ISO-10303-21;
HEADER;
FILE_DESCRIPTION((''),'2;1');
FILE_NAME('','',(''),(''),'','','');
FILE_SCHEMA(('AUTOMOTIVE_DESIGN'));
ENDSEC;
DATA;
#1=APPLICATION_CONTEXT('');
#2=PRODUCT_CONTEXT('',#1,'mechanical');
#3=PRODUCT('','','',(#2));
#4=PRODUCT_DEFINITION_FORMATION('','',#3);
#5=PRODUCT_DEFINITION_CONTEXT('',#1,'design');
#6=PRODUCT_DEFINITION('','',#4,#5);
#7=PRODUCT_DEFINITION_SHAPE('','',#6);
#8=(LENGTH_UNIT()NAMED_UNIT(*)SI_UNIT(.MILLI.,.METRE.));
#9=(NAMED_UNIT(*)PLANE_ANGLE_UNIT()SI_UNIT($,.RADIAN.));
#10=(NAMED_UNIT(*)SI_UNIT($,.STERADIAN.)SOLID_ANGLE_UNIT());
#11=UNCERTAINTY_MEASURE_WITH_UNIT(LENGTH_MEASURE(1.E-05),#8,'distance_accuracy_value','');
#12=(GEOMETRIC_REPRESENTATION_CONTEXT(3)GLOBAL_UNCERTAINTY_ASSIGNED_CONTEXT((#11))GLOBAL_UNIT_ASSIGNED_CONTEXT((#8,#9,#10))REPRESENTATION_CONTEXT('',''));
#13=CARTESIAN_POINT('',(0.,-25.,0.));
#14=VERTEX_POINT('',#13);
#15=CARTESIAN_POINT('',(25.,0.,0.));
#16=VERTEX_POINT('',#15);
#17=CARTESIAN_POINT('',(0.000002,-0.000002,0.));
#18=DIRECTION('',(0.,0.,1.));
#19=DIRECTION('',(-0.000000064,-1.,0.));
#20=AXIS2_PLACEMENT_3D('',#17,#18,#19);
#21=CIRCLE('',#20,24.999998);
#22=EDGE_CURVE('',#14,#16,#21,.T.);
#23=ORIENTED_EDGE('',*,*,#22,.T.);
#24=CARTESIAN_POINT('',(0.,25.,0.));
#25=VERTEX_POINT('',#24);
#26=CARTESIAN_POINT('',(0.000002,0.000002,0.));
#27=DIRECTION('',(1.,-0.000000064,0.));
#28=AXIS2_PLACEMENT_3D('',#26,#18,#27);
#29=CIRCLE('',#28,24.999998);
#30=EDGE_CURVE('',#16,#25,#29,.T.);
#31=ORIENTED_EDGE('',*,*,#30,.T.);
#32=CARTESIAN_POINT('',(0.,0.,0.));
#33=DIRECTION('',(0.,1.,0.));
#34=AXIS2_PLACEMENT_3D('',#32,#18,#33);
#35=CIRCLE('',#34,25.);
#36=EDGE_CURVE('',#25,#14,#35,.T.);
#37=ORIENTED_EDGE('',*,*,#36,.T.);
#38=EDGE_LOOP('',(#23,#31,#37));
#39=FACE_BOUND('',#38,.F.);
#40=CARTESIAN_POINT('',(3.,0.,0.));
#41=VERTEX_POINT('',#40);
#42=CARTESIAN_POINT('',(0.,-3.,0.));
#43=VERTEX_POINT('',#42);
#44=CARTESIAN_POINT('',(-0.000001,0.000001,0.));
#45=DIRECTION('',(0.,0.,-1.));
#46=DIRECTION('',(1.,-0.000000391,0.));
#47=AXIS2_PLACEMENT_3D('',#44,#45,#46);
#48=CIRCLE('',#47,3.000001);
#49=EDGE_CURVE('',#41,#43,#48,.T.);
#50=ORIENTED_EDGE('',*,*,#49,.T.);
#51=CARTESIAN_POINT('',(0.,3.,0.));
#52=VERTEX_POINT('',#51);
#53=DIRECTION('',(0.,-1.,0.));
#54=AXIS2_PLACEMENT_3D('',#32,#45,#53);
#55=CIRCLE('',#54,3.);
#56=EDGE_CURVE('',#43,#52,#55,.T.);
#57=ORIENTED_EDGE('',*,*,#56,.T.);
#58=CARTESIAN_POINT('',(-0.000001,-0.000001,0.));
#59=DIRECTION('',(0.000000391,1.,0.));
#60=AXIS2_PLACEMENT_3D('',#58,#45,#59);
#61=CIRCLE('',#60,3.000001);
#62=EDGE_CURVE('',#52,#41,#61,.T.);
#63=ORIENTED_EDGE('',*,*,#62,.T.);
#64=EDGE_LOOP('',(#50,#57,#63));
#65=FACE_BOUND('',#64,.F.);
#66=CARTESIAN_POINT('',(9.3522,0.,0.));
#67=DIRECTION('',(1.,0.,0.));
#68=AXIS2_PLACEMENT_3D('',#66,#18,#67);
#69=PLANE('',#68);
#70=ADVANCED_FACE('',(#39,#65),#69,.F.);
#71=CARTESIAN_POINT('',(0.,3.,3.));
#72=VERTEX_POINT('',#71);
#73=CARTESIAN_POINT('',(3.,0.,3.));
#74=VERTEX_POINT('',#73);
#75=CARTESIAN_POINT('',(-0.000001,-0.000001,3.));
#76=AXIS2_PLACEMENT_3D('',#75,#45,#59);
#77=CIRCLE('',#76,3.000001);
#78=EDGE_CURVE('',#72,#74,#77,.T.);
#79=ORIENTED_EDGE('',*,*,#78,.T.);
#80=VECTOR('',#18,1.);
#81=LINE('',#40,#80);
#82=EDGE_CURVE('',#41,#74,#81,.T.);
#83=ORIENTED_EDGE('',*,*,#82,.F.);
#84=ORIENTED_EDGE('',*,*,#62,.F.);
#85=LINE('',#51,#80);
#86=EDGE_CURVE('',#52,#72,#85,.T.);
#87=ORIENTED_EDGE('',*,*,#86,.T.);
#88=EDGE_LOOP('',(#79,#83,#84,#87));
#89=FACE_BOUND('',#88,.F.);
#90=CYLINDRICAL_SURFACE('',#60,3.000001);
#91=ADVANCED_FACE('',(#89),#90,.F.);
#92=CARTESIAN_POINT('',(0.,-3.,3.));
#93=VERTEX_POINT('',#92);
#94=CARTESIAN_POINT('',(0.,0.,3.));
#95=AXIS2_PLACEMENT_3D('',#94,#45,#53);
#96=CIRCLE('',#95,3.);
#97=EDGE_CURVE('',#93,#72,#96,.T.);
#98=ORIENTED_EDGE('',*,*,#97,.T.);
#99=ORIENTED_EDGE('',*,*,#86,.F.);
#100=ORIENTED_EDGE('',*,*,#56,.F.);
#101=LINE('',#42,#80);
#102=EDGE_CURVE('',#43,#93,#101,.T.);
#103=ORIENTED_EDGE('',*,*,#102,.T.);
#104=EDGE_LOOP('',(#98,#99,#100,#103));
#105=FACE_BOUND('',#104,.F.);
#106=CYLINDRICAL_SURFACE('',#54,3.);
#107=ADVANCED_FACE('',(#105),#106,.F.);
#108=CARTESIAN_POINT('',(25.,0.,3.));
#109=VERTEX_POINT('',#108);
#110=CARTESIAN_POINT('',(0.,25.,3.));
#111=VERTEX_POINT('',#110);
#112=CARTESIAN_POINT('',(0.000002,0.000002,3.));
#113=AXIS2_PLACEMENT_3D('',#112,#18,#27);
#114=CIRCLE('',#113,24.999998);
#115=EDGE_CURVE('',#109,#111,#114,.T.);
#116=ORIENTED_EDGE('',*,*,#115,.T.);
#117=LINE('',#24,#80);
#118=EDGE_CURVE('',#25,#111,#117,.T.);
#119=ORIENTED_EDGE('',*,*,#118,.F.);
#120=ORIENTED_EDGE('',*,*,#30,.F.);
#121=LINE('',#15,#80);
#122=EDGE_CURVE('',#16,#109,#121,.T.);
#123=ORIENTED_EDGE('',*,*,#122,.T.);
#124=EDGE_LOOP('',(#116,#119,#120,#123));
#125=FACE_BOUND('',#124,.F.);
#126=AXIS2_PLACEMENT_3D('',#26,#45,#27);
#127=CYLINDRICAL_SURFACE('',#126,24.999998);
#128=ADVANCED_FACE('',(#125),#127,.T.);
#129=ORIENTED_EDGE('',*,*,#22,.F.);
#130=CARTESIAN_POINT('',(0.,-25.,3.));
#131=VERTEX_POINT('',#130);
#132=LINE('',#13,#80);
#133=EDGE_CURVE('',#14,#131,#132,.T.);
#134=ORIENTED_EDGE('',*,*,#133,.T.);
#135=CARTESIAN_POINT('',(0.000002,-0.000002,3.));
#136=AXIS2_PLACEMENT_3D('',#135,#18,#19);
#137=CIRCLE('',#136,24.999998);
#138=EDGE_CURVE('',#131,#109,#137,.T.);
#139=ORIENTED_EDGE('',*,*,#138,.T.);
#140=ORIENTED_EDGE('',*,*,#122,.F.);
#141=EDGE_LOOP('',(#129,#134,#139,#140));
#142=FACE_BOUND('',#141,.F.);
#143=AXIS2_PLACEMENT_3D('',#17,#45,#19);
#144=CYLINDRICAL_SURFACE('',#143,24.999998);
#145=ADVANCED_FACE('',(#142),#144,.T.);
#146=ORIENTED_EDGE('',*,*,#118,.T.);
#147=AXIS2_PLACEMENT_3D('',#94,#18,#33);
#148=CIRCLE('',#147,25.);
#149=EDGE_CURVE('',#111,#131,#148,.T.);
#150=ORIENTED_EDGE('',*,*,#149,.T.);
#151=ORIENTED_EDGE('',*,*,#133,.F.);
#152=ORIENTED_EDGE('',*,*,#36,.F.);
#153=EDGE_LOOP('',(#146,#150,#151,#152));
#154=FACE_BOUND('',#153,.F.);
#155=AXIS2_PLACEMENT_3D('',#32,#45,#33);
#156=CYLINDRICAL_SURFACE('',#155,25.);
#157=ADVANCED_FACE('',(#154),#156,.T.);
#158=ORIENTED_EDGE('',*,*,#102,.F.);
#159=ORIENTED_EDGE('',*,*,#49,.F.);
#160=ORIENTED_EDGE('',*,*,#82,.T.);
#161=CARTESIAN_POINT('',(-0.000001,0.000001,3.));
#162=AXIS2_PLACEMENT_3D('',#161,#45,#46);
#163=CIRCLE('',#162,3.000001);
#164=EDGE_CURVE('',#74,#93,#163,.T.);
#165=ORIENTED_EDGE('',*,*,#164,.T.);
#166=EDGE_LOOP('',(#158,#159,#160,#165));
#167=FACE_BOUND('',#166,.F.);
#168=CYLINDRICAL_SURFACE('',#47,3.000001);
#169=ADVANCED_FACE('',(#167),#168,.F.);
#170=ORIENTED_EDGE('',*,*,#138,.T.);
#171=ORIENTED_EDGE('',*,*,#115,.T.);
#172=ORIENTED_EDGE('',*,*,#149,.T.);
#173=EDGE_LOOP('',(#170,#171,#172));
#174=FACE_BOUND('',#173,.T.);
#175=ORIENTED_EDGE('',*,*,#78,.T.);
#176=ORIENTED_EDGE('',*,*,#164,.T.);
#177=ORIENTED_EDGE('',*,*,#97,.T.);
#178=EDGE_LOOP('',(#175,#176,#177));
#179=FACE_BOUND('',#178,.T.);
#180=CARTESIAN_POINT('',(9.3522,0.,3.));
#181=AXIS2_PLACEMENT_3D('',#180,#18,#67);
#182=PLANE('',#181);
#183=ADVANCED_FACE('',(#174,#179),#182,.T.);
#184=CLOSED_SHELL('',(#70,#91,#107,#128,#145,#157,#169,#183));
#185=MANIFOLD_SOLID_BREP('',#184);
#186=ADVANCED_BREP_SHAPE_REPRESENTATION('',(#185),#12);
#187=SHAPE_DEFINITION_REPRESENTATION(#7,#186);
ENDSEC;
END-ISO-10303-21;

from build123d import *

# Parameters (mm, degrees)
F1_DEPTH = 3


with BuildPart() as f1:
    # F0 (on Top) → F1 (new body)
    with BuildSketch(Plane.XY):
        with BuildLine():
            ThreePointArc((25, 0), (17.67767, 17.67767), (0, 25))
            Line((0, 25), (0, 3))
            ThreePointArc((0, 3), (2.12132, 2.12132), (3, 0))
            ThreePointArc((3, 0), (2.12132, -2.12132), (0, -3))
            Line((0, -3), (0, -25))
            ThreePointArc((0, -25), (17.67767, -17.67767), (25, 0))
        make_face()
        with BuildLine():
            Line((0, 3), (0, 25))
            ThreePointArc((0, 25), (-25, 0), (0, -25))
            Line((0, -25), (0, -3))
            ThreePointArc((0, -3), (-3, 0), (0, 3))
        make_face()
    extrude(amount=F1_DEPTH)


solid = f1.part
